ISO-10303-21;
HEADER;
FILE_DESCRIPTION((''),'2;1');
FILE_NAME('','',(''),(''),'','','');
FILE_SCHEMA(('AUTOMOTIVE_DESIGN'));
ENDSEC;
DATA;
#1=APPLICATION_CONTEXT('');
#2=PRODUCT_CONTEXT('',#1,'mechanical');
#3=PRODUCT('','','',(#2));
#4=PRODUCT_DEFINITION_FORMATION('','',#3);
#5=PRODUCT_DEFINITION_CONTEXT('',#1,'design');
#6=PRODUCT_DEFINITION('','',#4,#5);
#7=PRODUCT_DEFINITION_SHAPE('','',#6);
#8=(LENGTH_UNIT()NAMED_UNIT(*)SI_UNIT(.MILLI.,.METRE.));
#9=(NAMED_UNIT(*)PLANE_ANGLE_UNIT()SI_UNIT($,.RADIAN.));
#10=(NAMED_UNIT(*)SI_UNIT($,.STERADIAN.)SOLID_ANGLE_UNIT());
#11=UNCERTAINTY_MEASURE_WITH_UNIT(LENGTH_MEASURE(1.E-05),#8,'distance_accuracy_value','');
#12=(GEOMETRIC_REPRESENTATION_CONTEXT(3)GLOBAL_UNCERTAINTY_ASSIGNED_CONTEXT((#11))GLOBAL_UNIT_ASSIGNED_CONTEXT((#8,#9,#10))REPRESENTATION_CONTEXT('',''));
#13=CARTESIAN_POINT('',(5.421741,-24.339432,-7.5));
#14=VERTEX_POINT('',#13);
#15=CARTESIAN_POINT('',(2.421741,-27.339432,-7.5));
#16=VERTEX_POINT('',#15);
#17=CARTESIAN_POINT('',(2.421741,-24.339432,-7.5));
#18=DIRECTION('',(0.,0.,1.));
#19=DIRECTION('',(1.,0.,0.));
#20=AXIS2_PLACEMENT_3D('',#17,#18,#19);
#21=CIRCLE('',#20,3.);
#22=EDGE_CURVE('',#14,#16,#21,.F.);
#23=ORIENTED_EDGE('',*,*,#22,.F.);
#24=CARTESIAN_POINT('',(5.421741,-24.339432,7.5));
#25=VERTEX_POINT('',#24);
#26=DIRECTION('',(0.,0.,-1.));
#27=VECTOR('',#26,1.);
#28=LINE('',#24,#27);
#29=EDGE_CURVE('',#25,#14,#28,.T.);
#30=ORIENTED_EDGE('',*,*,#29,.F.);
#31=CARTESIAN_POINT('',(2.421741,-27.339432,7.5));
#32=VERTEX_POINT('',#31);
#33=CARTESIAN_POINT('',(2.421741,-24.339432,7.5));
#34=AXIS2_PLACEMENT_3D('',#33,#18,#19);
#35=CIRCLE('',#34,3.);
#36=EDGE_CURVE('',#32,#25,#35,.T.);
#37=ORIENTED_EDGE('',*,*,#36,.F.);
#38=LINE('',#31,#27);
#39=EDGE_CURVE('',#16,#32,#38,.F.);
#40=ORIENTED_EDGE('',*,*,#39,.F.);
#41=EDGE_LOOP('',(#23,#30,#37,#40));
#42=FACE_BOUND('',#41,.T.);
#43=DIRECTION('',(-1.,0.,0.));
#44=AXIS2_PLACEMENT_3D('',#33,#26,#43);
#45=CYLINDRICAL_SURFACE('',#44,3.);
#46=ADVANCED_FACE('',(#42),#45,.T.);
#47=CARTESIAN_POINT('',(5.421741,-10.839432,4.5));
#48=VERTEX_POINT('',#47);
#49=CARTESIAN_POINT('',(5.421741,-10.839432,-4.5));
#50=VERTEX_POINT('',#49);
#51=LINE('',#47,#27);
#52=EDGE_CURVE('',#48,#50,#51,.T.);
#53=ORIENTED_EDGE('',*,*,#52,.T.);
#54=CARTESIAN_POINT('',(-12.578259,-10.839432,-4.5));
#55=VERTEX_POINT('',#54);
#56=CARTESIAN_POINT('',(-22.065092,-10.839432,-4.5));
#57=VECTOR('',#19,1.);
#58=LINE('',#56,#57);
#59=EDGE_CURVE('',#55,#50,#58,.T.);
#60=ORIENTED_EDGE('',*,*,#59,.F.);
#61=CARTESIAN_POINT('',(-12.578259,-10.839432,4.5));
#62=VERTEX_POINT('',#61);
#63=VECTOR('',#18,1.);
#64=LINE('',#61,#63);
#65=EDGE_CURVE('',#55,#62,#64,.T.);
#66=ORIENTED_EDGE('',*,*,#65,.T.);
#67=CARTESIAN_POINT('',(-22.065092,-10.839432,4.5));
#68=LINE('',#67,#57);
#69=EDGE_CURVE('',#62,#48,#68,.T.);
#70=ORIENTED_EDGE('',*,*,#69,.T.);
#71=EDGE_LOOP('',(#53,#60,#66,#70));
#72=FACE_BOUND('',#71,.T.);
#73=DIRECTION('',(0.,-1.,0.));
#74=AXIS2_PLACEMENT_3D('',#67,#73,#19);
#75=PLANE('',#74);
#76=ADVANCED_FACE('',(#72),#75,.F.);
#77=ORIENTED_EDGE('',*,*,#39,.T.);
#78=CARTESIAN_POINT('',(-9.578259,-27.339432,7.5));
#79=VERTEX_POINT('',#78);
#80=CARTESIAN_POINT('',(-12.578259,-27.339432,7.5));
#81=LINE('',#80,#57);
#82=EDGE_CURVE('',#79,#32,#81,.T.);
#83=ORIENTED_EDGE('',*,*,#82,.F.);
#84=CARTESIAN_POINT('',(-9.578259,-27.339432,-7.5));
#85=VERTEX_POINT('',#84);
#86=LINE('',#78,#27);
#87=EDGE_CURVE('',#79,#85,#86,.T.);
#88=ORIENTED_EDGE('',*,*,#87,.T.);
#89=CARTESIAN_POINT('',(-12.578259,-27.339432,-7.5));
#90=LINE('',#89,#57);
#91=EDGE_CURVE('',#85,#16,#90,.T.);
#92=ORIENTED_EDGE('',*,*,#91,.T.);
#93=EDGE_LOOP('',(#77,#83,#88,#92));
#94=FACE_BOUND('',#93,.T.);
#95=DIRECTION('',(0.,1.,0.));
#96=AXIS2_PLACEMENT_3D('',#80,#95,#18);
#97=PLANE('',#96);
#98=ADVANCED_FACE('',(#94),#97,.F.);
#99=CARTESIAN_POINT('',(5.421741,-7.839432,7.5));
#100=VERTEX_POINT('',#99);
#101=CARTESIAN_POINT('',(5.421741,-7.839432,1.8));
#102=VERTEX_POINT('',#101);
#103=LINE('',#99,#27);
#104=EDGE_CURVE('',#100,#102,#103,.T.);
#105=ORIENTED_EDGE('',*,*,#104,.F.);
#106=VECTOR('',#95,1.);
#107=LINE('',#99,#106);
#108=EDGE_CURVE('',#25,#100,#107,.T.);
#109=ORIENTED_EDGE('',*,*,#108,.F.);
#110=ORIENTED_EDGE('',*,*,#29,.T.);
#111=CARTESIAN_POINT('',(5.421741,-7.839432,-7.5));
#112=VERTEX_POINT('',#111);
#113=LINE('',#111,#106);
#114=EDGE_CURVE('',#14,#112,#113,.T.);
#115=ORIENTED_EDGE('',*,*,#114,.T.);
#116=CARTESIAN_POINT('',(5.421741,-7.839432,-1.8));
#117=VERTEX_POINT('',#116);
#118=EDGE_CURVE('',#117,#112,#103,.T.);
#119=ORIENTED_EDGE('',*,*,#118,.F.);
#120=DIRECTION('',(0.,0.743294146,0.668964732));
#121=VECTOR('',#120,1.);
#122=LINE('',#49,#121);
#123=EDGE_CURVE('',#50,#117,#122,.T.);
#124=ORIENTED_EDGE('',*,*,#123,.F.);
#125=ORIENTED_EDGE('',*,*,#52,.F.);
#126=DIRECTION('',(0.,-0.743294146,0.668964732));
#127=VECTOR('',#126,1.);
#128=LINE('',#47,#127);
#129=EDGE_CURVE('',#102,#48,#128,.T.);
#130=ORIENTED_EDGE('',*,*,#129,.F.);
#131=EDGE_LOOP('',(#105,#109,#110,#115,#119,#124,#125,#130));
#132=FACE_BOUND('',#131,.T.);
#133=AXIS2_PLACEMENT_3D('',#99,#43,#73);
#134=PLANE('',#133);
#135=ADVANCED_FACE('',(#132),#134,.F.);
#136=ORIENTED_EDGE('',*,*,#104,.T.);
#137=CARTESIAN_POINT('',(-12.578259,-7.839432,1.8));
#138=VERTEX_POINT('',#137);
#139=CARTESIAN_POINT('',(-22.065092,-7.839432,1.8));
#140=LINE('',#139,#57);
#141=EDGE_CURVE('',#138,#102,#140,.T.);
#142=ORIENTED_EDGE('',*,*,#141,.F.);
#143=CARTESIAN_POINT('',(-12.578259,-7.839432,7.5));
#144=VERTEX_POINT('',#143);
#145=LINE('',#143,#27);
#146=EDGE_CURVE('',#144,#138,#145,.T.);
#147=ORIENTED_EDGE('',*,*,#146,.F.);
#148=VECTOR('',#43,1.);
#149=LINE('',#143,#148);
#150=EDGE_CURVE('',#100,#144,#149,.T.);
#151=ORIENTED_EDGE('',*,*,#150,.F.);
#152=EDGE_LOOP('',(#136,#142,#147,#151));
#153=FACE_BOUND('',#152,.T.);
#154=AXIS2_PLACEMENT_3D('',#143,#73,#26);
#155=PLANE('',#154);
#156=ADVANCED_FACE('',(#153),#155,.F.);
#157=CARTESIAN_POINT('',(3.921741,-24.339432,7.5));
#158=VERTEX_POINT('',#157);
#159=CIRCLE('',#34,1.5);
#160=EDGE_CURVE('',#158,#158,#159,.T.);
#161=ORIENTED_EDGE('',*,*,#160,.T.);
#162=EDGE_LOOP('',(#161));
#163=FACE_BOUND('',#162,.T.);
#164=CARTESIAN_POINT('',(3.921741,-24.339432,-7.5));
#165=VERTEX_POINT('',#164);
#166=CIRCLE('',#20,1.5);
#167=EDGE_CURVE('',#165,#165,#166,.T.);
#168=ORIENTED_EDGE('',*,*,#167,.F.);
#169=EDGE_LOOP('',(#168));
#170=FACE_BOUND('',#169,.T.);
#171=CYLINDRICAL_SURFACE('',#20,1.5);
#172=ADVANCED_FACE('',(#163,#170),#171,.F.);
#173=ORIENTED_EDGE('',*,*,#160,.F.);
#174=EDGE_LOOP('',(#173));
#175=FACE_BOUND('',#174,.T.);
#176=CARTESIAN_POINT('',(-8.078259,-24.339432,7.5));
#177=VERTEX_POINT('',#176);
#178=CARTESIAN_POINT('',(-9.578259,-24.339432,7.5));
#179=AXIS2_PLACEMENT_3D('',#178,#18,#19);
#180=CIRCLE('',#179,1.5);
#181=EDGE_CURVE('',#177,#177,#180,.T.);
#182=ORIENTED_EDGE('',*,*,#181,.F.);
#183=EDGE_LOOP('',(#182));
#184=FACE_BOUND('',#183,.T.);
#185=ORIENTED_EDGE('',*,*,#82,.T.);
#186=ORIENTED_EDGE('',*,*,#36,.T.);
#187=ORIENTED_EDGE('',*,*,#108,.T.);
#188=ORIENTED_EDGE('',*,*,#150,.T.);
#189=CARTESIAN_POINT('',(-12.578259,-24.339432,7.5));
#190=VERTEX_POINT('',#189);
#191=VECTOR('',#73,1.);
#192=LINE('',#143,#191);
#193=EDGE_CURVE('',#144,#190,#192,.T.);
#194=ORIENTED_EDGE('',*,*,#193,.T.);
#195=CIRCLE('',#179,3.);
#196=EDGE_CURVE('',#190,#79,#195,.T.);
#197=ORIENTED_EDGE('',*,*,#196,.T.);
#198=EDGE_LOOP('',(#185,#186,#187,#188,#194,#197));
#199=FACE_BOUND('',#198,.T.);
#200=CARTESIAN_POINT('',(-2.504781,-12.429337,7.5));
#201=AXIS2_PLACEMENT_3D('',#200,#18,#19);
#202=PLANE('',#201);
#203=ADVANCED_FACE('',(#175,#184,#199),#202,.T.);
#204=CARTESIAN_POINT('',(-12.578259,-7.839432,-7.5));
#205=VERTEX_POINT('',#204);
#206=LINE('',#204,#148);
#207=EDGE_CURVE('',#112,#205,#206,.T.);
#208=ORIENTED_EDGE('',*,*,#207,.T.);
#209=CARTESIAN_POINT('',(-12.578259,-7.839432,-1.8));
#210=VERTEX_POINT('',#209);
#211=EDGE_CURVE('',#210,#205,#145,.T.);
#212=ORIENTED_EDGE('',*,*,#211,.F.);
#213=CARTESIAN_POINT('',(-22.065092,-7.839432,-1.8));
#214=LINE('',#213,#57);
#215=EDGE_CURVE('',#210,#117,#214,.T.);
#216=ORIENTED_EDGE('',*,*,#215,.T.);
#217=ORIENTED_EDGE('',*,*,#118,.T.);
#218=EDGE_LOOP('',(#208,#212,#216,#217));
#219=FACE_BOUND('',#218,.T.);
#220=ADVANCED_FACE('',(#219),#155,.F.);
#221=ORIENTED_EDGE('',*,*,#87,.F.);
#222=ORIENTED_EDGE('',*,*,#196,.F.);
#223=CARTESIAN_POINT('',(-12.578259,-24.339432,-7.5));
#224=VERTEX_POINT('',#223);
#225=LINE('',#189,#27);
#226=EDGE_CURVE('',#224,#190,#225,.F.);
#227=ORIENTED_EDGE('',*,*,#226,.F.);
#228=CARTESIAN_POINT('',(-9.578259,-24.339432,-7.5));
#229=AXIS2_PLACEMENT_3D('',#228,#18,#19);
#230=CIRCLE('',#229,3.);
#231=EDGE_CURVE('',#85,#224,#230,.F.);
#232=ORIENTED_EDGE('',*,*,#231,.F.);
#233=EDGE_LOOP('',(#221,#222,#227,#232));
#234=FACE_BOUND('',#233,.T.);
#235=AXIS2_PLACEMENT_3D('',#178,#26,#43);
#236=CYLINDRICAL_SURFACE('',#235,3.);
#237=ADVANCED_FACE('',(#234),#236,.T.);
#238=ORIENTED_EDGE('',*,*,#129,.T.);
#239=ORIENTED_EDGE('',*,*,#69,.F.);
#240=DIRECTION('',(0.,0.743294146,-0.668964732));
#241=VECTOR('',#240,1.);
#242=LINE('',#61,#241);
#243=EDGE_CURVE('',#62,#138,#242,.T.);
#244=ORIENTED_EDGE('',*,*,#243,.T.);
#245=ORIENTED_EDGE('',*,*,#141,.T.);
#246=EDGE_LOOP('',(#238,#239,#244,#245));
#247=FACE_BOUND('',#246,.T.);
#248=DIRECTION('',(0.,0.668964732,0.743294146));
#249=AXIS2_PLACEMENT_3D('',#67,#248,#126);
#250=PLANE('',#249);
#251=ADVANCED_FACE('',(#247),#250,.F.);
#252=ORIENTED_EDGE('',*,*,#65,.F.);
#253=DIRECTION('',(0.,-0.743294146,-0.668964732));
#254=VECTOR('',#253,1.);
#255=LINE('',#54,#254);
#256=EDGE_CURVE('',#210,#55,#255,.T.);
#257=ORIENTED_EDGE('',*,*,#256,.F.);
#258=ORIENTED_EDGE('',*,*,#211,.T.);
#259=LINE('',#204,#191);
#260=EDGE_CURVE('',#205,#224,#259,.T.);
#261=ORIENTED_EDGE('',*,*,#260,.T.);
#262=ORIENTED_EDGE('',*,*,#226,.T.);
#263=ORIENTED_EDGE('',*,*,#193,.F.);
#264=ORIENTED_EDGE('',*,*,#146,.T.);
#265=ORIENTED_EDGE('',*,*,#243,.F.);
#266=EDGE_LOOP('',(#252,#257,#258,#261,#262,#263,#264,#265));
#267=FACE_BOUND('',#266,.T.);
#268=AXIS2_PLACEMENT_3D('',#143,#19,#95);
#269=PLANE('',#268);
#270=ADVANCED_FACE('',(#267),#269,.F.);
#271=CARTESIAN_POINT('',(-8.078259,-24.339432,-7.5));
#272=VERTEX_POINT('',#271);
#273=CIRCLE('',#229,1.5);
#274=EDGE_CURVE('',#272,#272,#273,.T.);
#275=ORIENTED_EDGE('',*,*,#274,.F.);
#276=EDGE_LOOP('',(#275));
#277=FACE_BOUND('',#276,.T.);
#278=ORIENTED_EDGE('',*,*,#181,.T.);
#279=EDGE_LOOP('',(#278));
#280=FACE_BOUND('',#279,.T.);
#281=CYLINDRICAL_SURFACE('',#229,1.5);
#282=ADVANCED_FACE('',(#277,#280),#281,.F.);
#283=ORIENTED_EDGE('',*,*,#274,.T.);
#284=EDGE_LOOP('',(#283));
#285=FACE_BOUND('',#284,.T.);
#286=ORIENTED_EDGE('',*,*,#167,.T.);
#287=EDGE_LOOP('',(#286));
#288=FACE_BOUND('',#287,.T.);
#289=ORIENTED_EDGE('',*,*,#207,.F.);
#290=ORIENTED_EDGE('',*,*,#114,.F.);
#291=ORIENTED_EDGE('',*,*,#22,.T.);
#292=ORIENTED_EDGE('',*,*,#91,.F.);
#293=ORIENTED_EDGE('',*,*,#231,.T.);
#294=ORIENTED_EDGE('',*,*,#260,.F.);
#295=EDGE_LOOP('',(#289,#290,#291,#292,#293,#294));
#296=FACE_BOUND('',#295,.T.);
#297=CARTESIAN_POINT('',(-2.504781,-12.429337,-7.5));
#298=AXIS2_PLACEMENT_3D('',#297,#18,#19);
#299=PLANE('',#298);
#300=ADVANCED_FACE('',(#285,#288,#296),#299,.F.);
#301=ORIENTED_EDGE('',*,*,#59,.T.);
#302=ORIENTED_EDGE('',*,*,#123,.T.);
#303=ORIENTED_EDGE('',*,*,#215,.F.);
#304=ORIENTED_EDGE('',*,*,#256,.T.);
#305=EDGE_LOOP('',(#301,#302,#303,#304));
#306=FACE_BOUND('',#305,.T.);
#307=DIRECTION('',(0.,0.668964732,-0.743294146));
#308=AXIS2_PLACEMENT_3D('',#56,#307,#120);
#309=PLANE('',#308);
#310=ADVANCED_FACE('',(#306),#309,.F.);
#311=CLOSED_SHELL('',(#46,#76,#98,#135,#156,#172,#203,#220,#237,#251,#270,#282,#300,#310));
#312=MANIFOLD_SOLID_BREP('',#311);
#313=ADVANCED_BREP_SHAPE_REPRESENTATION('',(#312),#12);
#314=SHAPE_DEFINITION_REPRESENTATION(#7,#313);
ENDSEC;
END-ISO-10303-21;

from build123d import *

# Parameters (mm, degrees)
SKETCH1_W           = 60
SKETCH1_H           = 65
BOSS_EXTRUDE1_DEPTH = 25
CUT_EXTRUDE1_DEPTH  = 60
SKETCH4_R           = 5
CUT_EXTRUDE2_DEPTH  = 51
FILLET1_R           = 10
SCALE1_SCALE        = 0.3


with BuildPart() as part:
    # Sketch1 → Boss-Extrude1 (new body, symmetric)
    with BuildSketch(Plane.XY):
        with Locations((-3.578258959, -17.200317296)):
            Rectangle(SKETCH1_W, SKETCH1_H)
    extrude(amount=BOSS_EXTRUDE1_DEPTH, both=True)

    # Sketch3 → Cut-Extrude1 (cut)
    with BuildSketch(Plane(origin=(26.421741041, 0, 0), x_dir=(0, 0, -1), z_dir=(1, 0, 0))):
        Polygon((-15, 5.299682704), (15, 5.299682704), (6, 15.299682704), (-6, 15.299682704), align=None)
    extrude(amount=-CUT_EXTRUDE1_DEPTH, mode=Mode.SUBTRACT)

    # Sketch4 → Cut-Extrude2 (cut, through all)
    with BuildSketch(Plane.XY.offset(25)):
        with Locations((16.421741041, -39.700317296)):
            Circle(SKETCH4_R)
        with Locations((-23.578258959, -39.700317296)):
            Circle(SKETCH4_R)
    extrude(amount=-CUT_EXTRUDE2_DEPTH, mode=Mode.SUBTRACT)

    # Fillet1
    fillet1_edges = [part.edges().sort_by_distance(p)[0] for p in [
        (26.421741041, -49.700317296, 0),
        (-33.578258959, -49.700317296, 0),
    ]]
    fillet(fillet1_edges, radius=FILLET1_R)


with BuildPart() as part_1:
    # Scale1: scaled about (-3.578258959, -17.756195099, 0)
    add(part.part.scale(SCALE1_SCALE).moved(Location((-2.504781271, -12.429336569, 0))))


solid = part_1.part
